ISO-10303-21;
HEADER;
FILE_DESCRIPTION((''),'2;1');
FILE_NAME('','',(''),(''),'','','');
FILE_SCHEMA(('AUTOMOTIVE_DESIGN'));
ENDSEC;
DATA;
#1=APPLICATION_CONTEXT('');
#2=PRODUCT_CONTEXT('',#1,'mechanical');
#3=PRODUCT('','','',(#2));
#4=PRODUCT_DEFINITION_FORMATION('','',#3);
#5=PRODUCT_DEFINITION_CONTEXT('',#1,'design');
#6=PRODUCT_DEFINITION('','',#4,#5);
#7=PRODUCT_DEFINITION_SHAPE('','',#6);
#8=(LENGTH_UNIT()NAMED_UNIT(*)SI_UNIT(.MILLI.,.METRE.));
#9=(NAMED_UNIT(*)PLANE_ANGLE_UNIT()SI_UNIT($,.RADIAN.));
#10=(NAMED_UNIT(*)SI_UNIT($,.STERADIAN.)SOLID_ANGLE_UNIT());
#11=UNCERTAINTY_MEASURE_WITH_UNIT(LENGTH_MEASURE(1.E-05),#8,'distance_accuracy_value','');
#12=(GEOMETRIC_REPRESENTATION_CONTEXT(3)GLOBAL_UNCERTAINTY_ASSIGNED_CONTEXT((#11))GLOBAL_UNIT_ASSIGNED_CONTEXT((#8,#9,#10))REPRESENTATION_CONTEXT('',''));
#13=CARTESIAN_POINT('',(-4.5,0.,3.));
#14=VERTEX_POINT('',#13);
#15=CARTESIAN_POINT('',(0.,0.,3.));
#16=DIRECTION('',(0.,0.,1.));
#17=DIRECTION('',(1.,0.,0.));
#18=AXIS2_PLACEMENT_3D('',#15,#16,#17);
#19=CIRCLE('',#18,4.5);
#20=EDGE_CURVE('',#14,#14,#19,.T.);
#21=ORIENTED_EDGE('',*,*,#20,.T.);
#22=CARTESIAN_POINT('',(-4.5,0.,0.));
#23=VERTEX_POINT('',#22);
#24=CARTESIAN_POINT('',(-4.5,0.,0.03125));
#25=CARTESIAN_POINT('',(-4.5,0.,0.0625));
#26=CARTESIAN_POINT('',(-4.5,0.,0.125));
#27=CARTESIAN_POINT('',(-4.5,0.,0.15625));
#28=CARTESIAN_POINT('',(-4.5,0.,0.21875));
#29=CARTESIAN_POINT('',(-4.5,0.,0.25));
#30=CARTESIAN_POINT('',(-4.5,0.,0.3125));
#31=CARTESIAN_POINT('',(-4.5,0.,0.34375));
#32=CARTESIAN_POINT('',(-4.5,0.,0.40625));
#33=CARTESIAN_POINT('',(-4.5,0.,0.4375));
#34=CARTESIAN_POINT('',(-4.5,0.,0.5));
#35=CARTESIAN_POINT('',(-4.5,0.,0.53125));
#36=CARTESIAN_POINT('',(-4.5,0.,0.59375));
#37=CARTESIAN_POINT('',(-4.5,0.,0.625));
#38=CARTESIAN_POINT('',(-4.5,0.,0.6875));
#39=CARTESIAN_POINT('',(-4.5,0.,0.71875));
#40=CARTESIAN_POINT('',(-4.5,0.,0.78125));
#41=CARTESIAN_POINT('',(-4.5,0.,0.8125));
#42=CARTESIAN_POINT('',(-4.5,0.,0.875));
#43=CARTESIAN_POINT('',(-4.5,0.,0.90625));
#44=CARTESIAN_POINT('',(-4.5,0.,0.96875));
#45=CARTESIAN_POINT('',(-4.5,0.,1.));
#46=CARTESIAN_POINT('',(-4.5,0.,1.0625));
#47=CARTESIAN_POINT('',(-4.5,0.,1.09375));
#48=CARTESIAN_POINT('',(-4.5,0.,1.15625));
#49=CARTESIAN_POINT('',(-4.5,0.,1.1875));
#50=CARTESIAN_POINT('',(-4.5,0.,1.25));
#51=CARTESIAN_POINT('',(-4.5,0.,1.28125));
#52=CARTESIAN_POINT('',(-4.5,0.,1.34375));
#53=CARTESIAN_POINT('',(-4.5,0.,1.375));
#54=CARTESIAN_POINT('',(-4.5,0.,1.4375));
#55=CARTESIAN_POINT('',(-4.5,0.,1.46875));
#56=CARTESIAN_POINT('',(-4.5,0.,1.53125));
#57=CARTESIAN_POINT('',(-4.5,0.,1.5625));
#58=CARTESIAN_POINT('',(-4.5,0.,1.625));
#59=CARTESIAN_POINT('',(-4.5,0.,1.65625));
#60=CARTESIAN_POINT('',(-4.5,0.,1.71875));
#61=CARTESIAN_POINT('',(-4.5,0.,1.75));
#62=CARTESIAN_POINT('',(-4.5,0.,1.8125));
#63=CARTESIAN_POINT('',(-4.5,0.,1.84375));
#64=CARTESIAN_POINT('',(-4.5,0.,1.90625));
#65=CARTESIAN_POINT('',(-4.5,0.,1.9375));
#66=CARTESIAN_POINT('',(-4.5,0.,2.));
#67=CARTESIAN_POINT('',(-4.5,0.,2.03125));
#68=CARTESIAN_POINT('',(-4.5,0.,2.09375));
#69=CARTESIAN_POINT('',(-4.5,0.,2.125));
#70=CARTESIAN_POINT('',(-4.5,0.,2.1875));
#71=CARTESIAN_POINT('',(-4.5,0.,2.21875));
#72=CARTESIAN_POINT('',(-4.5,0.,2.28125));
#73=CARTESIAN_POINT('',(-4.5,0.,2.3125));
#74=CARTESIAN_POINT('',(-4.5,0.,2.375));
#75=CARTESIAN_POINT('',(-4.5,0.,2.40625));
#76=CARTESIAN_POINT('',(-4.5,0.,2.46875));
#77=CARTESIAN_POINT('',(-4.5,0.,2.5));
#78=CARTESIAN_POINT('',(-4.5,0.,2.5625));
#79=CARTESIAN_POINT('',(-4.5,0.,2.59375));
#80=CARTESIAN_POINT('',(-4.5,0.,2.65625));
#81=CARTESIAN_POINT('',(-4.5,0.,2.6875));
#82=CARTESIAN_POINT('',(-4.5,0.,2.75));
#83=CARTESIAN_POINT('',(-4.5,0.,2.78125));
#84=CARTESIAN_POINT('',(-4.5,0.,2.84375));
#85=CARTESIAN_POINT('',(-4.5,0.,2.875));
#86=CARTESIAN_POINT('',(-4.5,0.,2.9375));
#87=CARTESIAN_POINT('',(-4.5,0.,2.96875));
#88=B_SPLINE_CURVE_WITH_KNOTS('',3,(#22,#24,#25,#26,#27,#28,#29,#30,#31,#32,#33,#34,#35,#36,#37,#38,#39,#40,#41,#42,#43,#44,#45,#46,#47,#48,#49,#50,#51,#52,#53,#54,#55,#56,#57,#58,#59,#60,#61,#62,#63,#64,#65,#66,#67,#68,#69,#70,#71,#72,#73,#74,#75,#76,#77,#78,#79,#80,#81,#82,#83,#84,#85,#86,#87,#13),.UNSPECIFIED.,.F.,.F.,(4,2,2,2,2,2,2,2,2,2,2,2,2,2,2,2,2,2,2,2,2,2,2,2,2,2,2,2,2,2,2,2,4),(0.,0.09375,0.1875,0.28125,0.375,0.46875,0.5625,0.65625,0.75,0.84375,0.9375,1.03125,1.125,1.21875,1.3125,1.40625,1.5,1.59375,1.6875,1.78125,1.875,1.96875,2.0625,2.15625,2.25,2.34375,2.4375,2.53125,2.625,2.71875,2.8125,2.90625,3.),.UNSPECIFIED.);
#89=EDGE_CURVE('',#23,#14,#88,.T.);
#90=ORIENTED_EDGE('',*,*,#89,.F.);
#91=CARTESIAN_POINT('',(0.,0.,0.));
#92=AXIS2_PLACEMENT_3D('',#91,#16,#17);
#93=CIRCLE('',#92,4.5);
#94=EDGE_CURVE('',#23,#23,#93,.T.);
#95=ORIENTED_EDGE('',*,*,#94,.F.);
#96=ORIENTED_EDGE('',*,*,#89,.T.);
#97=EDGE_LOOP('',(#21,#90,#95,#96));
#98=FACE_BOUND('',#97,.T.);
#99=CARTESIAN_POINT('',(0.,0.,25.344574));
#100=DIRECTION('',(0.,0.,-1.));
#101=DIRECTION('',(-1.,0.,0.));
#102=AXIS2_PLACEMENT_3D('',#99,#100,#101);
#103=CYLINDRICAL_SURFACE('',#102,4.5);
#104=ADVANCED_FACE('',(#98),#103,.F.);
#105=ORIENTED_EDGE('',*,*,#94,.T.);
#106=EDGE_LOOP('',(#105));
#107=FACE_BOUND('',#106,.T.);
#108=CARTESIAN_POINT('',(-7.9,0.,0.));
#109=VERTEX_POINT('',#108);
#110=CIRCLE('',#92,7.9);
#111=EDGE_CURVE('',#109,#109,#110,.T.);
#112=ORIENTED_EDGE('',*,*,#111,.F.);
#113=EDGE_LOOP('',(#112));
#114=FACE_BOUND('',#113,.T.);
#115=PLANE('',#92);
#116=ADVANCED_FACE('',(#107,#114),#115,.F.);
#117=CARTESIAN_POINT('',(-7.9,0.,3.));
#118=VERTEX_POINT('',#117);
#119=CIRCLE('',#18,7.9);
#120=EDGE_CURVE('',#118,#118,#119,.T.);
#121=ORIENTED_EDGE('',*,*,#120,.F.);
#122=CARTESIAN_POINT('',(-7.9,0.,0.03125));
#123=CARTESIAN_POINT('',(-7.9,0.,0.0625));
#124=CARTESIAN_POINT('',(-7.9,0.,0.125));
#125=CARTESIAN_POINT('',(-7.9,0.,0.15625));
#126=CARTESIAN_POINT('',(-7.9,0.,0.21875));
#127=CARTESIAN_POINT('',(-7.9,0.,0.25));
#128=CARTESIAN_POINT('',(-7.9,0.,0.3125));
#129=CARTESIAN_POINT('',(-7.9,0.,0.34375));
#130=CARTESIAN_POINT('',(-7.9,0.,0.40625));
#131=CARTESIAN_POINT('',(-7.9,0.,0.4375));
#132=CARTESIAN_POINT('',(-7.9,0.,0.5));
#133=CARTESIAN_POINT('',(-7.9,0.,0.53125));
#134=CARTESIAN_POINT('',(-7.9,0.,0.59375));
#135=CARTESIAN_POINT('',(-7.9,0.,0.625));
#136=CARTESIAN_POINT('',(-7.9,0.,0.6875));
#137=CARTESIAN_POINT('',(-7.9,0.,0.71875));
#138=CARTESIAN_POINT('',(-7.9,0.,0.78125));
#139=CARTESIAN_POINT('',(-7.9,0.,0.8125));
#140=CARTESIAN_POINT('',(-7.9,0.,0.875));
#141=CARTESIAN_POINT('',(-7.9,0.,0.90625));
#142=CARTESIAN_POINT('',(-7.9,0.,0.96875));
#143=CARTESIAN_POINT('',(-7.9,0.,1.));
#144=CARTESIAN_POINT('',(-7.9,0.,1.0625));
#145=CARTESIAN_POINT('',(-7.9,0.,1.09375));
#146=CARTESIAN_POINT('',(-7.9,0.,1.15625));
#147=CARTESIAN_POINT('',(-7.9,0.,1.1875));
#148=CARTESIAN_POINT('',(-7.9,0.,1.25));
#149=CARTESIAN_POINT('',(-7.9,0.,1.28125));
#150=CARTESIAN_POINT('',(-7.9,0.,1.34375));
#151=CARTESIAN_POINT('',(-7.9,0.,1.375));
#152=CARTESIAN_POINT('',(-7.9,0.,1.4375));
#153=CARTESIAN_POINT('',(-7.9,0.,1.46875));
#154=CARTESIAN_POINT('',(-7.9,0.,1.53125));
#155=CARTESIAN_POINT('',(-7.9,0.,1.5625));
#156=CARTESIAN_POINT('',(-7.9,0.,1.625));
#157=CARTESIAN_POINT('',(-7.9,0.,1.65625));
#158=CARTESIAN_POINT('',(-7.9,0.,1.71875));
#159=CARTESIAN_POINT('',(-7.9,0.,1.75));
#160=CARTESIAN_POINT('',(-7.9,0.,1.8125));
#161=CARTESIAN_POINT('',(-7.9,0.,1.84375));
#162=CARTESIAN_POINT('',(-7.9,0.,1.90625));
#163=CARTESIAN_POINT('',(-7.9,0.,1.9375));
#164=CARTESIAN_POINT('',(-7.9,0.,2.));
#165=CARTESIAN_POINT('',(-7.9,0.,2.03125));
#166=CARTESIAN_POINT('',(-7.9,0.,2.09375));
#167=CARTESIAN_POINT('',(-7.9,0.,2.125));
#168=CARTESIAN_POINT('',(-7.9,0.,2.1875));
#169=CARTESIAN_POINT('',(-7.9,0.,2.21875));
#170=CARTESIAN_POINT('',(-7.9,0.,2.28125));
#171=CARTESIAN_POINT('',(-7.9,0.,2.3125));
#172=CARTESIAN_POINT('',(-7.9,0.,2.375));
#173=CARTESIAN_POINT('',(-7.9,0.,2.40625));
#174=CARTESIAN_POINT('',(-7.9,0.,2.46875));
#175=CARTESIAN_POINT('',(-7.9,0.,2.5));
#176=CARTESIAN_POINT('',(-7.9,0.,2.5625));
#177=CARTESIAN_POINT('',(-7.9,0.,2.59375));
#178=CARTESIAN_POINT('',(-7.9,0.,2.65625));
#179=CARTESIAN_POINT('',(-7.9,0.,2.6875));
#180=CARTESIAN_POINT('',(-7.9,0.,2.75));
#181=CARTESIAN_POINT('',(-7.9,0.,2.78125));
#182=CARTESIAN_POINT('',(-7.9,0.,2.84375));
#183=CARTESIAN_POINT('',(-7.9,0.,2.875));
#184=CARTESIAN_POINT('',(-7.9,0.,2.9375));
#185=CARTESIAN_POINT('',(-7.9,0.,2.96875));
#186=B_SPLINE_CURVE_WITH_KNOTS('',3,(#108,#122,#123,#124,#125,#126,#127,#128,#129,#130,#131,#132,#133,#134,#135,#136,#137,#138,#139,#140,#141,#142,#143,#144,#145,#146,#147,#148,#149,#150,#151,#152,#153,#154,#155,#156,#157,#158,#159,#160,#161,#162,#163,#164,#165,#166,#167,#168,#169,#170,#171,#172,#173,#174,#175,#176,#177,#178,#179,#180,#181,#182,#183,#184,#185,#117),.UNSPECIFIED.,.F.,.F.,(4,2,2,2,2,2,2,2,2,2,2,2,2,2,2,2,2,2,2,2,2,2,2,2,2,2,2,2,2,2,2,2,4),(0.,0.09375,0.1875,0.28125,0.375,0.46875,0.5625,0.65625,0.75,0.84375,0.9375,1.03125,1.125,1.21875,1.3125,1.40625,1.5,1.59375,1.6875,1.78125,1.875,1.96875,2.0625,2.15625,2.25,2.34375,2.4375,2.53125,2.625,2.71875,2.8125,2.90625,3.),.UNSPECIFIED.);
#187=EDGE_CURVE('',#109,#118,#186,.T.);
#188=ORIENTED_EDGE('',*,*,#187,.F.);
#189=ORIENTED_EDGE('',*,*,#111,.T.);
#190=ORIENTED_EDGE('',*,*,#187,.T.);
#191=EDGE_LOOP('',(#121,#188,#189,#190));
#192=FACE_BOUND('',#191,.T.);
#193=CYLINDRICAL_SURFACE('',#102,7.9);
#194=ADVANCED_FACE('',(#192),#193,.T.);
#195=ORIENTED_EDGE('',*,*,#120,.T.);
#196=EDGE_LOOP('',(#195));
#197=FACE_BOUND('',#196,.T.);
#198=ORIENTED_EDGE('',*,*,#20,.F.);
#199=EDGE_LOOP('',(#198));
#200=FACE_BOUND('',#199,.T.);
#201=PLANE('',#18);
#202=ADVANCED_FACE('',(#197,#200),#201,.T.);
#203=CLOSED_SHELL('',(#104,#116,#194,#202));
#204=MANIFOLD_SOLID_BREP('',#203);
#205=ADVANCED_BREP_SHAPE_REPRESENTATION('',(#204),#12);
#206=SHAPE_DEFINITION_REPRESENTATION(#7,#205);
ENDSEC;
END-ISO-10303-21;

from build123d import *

# Parameters (mm, degrees)
SKETCH1_R      = 7.9
SKETCH1_R_2    = 4.5
EXTRUDE1_DEPTH = 3


with BuildPart() as part:
    # Sketch1 → Extrude1 (new body)
    with BuildSketch(Plane.XY):
        with Locations(Location((0, 0, 0), (0, 0, 180))):
            Circle(SKETCH1_R)
        with Locations(Location((0, 0, 0), (0, 0, 180))):
            Circle(SKETCH1_R_2, mode=Mode.SUBTRACT)
    extrude(amount=EXTRUDE1_DEPTH)


solid = part.part
